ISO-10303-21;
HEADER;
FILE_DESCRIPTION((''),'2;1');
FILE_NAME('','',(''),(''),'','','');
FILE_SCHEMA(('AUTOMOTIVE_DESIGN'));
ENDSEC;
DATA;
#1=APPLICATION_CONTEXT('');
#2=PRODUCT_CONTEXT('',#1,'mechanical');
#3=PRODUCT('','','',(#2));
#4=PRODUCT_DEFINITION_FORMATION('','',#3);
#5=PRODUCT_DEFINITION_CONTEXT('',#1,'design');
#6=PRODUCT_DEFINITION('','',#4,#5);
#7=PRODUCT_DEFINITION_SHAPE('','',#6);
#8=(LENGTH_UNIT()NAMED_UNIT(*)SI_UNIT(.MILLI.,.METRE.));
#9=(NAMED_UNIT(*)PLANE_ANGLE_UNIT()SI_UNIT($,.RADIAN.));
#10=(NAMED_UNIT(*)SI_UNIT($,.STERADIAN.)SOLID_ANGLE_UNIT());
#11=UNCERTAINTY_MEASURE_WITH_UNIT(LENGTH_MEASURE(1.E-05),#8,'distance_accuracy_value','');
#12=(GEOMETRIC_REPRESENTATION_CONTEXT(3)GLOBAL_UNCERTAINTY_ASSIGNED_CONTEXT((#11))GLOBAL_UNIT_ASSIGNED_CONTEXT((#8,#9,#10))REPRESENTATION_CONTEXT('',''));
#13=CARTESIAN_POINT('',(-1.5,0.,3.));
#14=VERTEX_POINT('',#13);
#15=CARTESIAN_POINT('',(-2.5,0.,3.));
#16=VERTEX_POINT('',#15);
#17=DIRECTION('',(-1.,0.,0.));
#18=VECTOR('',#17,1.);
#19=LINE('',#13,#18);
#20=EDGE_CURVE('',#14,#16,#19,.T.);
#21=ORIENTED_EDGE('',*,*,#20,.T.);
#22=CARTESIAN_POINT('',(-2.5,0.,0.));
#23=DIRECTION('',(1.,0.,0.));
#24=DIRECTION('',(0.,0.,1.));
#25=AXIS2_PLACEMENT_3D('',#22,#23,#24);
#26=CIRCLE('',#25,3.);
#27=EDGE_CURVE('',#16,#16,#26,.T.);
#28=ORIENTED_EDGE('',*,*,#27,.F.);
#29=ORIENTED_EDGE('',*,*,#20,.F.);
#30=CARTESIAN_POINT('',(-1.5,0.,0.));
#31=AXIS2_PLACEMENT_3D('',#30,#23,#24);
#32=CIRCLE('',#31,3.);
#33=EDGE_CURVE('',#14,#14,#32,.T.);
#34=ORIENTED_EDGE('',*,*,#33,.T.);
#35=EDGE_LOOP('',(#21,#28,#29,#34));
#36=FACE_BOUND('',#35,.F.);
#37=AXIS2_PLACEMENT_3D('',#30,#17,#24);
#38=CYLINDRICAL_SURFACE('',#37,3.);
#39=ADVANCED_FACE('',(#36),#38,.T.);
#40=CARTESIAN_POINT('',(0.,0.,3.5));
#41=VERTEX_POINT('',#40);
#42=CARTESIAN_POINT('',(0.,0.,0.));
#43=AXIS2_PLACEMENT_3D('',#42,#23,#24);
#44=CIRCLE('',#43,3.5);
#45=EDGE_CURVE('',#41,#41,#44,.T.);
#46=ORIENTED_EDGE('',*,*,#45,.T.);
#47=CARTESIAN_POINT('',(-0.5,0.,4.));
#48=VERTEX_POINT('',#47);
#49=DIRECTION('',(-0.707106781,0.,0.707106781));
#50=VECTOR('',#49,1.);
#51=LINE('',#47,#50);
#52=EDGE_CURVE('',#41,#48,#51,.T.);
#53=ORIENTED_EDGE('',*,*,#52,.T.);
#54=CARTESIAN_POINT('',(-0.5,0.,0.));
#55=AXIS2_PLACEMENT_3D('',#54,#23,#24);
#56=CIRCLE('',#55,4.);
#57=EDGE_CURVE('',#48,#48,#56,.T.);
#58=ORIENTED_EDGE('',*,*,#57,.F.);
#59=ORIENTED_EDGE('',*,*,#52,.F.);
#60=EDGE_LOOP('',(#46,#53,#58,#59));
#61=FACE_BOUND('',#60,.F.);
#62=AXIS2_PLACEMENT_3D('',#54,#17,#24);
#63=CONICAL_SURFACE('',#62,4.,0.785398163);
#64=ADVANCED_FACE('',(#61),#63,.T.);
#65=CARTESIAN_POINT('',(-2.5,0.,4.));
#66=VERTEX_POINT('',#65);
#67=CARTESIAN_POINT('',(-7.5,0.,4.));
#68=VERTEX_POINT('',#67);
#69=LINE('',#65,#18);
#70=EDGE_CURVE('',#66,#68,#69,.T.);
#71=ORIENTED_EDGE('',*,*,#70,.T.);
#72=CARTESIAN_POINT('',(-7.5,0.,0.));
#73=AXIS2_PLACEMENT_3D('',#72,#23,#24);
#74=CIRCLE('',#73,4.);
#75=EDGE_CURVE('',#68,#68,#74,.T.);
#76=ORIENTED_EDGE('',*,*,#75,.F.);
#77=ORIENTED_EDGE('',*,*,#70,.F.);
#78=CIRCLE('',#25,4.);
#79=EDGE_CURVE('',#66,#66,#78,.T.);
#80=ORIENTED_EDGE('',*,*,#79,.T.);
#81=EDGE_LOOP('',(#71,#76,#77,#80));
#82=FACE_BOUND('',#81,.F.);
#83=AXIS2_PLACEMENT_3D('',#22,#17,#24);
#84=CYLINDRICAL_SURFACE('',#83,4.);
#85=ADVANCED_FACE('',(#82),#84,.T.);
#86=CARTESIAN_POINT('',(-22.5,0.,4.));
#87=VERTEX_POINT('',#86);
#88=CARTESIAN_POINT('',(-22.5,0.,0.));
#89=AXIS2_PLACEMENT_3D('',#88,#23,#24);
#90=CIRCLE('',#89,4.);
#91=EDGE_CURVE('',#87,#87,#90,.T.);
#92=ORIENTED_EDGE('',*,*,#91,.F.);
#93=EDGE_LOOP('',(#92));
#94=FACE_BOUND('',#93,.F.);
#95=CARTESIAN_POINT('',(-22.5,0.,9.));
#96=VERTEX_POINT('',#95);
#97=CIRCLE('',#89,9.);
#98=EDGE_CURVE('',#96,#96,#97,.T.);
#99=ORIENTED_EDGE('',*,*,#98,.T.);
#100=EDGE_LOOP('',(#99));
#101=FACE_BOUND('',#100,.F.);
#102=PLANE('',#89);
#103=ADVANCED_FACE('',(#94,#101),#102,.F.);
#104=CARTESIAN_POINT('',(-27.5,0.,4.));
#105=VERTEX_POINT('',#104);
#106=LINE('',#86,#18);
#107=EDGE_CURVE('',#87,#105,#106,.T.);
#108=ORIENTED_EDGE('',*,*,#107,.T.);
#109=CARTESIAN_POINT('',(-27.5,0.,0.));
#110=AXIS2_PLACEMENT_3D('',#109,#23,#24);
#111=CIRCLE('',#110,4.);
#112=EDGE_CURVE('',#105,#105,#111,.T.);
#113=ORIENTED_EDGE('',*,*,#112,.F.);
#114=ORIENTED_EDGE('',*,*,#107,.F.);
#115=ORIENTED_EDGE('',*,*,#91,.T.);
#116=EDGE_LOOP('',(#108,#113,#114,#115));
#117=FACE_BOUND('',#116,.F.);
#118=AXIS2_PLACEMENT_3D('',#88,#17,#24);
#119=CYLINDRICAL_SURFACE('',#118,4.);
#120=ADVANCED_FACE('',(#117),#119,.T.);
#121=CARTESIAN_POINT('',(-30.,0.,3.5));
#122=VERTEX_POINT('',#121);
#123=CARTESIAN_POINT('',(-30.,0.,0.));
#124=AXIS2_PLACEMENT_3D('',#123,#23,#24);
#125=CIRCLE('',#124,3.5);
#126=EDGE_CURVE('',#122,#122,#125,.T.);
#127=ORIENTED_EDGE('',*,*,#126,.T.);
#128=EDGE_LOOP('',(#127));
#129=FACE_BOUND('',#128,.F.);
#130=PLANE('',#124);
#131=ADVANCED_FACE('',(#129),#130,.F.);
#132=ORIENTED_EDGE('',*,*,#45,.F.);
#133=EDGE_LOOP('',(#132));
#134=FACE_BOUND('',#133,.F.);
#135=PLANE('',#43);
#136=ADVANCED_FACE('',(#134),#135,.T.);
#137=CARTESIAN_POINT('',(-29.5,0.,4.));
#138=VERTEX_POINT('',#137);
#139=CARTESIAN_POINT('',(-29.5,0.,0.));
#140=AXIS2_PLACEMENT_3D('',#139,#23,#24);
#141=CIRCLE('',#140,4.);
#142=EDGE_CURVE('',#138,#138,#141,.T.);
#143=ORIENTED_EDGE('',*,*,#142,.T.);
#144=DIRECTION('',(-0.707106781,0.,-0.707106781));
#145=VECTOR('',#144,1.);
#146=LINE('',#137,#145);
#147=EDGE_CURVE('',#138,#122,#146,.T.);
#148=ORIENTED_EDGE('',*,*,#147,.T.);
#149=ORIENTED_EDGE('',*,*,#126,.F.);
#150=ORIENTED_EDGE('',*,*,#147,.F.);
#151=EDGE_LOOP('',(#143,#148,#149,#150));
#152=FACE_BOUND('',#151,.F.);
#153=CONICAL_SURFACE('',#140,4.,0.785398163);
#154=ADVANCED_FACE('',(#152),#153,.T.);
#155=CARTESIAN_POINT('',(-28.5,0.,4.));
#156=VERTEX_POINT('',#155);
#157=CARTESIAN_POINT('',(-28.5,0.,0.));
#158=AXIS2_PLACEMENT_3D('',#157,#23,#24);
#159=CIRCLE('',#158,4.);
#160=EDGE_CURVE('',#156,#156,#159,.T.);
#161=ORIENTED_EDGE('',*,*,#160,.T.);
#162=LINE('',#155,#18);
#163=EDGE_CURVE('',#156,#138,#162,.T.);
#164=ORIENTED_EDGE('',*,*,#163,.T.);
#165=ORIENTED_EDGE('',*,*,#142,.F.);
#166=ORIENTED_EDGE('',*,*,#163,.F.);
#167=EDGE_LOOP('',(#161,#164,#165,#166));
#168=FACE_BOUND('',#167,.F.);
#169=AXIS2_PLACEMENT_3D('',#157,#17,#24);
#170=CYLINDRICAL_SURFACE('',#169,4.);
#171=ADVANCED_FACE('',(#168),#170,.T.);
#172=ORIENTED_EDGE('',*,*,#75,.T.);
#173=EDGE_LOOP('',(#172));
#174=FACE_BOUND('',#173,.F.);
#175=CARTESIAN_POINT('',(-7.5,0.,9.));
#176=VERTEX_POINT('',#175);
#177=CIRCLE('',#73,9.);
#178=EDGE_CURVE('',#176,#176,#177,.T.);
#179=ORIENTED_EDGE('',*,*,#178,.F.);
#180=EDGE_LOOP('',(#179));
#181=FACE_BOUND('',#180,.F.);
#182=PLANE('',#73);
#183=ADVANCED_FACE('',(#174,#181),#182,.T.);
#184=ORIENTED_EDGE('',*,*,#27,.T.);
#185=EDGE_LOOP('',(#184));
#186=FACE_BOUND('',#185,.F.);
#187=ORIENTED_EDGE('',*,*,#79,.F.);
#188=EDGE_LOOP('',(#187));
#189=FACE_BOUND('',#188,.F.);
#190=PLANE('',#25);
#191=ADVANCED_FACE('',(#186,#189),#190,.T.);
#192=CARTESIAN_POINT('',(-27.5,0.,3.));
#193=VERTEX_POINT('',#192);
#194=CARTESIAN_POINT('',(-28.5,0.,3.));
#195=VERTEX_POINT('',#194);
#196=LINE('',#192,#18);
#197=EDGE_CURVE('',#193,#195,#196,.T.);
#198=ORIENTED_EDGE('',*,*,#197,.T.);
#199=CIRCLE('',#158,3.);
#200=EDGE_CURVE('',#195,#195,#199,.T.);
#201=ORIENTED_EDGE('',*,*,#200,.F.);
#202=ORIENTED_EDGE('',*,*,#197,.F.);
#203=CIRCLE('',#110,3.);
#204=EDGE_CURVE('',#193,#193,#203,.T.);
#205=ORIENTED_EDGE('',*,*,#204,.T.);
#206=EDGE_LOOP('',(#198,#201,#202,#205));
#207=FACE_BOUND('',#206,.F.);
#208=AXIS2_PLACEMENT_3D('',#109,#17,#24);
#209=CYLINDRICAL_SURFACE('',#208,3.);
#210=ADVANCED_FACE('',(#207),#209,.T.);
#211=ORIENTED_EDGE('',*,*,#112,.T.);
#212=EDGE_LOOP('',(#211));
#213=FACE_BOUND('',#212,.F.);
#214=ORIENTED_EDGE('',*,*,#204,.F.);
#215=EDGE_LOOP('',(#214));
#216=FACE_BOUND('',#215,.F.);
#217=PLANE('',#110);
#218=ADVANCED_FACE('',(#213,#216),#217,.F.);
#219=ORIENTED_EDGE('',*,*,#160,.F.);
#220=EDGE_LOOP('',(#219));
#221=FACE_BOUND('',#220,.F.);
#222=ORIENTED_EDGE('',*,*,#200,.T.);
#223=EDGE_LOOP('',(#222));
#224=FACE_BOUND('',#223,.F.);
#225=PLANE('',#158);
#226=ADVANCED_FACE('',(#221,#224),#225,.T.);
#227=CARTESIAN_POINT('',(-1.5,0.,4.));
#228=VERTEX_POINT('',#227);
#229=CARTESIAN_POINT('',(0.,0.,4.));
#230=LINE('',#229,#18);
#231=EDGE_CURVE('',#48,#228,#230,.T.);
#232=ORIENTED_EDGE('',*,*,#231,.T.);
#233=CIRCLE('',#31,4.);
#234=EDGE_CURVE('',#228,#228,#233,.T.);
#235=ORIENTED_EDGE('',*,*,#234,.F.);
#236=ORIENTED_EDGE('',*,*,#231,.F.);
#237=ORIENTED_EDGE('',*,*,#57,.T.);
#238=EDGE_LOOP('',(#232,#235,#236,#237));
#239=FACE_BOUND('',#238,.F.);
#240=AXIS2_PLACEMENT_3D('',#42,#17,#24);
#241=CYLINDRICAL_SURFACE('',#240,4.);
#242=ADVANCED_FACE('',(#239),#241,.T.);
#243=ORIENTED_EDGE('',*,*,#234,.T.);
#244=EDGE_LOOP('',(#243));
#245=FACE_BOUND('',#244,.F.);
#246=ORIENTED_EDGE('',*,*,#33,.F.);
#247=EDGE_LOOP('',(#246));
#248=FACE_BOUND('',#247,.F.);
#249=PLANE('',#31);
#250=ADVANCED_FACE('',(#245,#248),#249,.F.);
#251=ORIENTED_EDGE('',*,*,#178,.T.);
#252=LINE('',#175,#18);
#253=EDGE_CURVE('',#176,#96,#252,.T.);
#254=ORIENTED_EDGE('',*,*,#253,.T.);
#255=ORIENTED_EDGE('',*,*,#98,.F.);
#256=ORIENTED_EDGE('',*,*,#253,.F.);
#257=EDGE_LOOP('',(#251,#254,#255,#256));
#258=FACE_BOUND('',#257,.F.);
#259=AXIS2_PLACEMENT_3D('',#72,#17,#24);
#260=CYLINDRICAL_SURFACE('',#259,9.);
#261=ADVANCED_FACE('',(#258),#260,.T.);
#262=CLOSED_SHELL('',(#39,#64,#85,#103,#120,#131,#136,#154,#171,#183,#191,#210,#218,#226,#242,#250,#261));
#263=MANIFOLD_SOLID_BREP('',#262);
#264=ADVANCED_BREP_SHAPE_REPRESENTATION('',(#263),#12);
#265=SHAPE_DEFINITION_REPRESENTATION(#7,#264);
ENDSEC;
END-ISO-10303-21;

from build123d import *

# Parameters (mm, degrees)
F2_SIZE = 0.5


with BuildPart() as f1:
    # F0 (on Front) → F1 (revolve)
    with BuildSketch(Plane.XZ):
        Polygon((-30, 0), (0, 0), (0, 4), (-1.5, 4), (-1.5, 3), (-2.5, 3), (-2.5, 4), (-7.5, 4), (-7.5, 9), (-22.5, 9), (-22.5, 4), (-27.5, 4), (-27.5, 3), (-28.5, 3), (-28.5, 4), (-30, 4), align=None)
    revolve(axis=Axis((-15, 0, 0), (1, 0, 0)))

    # F2
    f2_edges = [f1.edges().sort_by_distance(p)[0] for p in [
        (0, 0, -4),
        (-30, 0, -4),
    ]]
    chamfer(f2_edges, length=F2_SIZE)


solid = f1.part
